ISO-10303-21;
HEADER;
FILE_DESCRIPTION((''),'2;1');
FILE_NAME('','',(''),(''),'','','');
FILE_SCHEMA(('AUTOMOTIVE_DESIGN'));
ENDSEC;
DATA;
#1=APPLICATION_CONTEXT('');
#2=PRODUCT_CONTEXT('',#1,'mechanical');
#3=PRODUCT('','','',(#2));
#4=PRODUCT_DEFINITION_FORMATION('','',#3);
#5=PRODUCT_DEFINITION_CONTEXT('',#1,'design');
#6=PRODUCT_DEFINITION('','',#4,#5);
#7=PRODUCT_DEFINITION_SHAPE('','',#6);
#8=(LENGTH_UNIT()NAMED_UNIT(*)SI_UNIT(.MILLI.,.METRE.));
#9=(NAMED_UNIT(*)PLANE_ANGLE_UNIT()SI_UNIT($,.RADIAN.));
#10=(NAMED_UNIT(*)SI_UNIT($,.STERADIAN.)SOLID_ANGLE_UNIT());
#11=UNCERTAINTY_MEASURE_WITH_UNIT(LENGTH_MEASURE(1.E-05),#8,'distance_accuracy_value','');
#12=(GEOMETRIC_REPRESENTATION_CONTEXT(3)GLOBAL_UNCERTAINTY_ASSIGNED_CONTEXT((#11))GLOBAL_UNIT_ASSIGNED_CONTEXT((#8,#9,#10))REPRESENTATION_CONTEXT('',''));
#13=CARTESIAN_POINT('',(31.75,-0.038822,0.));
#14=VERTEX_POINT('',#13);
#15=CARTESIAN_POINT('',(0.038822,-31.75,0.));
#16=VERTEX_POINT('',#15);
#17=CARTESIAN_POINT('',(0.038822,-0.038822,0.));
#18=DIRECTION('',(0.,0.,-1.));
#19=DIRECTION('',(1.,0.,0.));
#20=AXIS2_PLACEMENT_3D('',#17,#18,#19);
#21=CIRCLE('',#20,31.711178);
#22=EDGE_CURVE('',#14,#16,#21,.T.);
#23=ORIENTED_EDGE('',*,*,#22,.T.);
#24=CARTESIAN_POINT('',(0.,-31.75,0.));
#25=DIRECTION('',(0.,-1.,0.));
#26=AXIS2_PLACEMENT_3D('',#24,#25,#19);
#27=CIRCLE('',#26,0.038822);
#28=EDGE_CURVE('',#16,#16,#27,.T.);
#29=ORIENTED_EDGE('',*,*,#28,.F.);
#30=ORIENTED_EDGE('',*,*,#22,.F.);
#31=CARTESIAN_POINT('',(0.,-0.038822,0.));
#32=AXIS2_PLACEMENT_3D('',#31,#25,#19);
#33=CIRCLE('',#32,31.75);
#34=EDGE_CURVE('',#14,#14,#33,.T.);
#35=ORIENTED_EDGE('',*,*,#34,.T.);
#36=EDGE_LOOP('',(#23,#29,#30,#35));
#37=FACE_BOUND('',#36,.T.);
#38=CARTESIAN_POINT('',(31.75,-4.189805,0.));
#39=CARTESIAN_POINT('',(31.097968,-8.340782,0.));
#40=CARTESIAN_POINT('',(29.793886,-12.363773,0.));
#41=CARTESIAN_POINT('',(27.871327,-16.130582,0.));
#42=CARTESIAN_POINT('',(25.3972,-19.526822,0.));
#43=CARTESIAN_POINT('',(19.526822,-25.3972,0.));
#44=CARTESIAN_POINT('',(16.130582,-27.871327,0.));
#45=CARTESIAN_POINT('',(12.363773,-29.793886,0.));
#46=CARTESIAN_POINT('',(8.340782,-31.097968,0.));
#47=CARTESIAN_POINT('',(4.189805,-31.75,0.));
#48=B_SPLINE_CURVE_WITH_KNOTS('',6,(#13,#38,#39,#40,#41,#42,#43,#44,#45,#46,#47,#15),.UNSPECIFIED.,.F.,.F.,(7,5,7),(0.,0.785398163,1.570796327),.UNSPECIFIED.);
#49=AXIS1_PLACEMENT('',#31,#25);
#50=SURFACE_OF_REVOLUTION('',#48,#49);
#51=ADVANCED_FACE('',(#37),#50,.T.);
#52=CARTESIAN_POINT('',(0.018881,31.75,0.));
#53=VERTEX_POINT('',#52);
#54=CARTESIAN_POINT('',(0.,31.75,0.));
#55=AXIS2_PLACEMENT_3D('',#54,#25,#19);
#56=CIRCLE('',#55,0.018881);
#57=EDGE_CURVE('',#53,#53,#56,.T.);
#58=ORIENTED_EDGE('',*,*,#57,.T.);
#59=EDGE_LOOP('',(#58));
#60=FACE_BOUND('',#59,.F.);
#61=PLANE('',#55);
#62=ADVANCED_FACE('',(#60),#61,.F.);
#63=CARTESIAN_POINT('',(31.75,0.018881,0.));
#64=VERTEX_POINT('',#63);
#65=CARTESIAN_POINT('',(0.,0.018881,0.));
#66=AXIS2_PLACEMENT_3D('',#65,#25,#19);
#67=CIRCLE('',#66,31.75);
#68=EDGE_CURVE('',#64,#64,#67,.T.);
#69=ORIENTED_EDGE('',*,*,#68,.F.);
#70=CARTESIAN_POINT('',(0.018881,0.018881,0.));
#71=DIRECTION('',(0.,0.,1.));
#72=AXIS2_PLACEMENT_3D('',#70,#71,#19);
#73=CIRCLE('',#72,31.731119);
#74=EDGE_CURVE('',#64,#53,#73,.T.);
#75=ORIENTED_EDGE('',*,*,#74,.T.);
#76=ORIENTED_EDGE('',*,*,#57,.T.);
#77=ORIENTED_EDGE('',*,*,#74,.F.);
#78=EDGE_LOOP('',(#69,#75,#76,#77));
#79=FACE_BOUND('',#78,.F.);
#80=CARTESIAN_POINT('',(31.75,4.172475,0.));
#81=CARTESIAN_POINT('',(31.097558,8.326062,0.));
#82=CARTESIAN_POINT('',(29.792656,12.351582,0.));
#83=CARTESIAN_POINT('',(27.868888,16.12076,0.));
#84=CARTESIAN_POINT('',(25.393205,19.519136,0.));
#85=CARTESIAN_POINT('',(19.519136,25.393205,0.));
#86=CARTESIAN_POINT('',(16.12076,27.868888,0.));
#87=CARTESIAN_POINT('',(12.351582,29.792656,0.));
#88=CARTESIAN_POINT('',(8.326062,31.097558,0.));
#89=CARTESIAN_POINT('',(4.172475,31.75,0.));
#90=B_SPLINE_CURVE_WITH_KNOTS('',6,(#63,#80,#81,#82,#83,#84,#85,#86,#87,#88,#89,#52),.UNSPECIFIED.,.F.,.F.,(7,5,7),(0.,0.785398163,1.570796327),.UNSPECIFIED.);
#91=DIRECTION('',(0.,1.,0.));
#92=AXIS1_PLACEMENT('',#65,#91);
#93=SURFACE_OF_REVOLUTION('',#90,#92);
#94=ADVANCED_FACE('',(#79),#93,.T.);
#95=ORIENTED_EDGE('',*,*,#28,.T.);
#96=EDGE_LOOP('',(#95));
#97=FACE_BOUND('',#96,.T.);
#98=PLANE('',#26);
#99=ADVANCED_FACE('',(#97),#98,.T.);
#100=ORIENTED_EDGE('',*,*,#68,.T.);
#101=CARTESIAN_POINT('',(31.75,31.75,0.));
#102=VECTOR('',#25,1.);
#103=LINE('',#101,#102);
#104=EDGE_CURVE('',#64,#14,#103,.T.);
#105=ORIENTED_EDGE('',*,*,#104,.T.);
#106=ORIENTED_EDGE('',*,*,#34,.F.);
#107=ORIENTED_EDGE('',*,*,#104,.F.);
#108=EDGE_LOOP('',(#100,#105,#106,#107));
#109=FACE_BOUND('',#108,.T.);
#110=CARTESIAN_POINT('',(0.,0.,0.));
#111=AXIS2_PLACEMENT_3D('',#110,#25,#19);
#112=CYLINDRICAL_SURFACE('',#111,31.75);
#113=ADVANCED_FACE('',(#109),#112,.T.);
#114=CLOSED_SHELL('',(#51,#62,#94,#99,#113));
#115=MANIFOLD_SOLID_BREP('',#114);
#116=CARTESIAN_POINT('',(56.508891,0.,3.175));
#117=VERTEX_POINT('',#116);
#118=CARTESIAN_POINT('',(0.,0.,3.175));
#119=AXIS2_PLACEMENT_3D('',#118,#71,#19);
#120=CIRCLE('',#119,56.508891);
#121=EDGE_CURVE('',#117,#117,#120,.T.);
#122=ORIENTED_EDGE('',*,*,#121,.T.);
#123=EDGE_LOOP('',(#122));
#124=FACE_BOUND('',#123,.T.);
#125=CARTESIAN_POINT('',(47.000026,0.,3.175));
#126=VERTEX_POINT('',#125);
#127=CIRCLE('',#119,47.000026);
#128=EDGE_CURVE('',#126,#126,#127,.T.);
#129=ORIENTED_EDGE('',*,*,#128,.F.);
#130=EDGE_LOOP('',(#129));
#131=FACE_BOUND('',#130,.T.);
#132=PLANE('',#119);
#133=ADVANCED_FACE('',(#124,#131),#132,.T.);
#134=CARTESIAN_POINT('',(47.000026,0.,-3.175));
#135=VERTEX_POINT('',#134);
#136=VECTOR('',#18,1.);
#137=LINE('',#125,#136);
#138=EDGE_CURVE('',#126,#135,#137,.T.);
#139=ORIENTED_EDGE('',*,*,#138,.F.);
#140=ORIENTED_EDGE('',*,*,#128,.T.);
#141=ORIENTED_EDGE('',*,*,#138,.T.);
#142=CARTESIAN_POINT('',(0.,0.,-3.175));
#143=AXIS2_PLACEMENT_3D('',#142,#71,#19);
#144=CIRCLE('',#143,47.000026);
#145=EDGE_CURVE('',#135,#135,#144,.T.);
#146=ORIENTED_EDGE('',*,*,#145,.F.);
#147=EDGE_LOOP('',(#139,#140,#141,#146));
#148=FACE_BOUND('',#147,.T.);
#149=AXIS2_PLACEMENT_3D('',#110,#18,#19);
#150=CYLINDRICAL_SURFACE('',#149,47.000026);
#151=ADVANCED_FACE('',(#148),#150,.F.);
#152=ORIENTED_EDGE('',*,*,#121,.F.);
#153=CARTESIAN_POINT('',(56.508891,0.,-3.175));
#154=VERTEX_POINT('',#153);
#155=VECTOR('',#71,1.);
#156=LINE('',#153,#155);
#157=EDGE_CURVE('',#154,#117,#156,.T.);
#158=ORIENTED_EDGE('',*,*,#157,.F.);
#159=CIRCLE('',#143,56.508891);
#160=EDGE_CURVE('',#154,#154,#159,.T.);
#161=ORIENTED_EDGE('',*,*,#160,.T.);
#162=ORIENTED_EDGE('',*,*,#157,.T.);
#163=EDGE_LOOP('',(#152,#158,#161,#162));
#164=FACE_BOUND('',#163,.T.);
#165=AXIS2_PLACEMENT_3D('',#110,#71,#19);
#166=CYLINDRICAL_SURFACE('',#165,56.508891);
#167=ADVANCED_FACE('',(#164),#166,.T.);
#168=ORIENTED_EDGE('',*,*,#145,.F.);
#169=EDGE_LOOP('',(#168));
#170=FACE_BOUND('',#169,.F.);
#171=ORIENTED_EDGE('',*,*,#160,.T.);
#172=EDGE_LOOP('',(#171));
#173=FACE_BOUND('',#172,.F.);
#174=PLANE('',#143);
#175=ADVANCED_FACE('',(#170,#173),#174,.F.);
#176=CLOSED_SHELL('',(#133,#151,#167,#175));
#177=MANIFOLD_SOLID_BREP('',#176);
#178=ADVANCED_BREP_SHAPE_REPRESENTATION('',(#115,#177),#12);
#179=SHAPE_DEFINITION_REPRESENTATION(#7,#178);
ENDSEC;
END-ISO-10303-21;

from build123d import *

# Parameters (mm, degrees)
F0_R     = 31.75
F1_DEPTH = 31.75
F2_R     = 31.711178
F3_R     = 31.731119
F4_R     = 56.508891
F4_R_2   = 47.000026
F5_DEPTH = 3.175


with BuildPart() as f1:
    # F0 (on Front) → F1 (new body, symmetric)
    with BuildSketch(Plane.XZ):
        Circle(F0_R)
    extrude(amount=F1_DEPTH, both=True)

    # F2
    f2_edges = [f1.edges().sort_by_distance(p)[0] for p in [
        (-31.75, -31.75, 0),
    ]]
    fillet(f2_edges, radius=F2_R)

    # F3
    f3_edges = [f1.edges().sort_by_distance(p)[0] for p in [
        (-31.75, 31.75, 0),
    ]]
    fillet(f3_edges, radius=F3_R)


with BuildPart() as f5:
    # F4 (on Top) → F5 (new body, symmetric)
    with BuildSketch(Plane.XY):
        Circle(F4_R)
        Circle(F4_R_2, mode=Mode.SUBTRACT)
    extrude(amount=F5_DEPTH, both=True)


solid = Compound([f1.part, f5.part])
